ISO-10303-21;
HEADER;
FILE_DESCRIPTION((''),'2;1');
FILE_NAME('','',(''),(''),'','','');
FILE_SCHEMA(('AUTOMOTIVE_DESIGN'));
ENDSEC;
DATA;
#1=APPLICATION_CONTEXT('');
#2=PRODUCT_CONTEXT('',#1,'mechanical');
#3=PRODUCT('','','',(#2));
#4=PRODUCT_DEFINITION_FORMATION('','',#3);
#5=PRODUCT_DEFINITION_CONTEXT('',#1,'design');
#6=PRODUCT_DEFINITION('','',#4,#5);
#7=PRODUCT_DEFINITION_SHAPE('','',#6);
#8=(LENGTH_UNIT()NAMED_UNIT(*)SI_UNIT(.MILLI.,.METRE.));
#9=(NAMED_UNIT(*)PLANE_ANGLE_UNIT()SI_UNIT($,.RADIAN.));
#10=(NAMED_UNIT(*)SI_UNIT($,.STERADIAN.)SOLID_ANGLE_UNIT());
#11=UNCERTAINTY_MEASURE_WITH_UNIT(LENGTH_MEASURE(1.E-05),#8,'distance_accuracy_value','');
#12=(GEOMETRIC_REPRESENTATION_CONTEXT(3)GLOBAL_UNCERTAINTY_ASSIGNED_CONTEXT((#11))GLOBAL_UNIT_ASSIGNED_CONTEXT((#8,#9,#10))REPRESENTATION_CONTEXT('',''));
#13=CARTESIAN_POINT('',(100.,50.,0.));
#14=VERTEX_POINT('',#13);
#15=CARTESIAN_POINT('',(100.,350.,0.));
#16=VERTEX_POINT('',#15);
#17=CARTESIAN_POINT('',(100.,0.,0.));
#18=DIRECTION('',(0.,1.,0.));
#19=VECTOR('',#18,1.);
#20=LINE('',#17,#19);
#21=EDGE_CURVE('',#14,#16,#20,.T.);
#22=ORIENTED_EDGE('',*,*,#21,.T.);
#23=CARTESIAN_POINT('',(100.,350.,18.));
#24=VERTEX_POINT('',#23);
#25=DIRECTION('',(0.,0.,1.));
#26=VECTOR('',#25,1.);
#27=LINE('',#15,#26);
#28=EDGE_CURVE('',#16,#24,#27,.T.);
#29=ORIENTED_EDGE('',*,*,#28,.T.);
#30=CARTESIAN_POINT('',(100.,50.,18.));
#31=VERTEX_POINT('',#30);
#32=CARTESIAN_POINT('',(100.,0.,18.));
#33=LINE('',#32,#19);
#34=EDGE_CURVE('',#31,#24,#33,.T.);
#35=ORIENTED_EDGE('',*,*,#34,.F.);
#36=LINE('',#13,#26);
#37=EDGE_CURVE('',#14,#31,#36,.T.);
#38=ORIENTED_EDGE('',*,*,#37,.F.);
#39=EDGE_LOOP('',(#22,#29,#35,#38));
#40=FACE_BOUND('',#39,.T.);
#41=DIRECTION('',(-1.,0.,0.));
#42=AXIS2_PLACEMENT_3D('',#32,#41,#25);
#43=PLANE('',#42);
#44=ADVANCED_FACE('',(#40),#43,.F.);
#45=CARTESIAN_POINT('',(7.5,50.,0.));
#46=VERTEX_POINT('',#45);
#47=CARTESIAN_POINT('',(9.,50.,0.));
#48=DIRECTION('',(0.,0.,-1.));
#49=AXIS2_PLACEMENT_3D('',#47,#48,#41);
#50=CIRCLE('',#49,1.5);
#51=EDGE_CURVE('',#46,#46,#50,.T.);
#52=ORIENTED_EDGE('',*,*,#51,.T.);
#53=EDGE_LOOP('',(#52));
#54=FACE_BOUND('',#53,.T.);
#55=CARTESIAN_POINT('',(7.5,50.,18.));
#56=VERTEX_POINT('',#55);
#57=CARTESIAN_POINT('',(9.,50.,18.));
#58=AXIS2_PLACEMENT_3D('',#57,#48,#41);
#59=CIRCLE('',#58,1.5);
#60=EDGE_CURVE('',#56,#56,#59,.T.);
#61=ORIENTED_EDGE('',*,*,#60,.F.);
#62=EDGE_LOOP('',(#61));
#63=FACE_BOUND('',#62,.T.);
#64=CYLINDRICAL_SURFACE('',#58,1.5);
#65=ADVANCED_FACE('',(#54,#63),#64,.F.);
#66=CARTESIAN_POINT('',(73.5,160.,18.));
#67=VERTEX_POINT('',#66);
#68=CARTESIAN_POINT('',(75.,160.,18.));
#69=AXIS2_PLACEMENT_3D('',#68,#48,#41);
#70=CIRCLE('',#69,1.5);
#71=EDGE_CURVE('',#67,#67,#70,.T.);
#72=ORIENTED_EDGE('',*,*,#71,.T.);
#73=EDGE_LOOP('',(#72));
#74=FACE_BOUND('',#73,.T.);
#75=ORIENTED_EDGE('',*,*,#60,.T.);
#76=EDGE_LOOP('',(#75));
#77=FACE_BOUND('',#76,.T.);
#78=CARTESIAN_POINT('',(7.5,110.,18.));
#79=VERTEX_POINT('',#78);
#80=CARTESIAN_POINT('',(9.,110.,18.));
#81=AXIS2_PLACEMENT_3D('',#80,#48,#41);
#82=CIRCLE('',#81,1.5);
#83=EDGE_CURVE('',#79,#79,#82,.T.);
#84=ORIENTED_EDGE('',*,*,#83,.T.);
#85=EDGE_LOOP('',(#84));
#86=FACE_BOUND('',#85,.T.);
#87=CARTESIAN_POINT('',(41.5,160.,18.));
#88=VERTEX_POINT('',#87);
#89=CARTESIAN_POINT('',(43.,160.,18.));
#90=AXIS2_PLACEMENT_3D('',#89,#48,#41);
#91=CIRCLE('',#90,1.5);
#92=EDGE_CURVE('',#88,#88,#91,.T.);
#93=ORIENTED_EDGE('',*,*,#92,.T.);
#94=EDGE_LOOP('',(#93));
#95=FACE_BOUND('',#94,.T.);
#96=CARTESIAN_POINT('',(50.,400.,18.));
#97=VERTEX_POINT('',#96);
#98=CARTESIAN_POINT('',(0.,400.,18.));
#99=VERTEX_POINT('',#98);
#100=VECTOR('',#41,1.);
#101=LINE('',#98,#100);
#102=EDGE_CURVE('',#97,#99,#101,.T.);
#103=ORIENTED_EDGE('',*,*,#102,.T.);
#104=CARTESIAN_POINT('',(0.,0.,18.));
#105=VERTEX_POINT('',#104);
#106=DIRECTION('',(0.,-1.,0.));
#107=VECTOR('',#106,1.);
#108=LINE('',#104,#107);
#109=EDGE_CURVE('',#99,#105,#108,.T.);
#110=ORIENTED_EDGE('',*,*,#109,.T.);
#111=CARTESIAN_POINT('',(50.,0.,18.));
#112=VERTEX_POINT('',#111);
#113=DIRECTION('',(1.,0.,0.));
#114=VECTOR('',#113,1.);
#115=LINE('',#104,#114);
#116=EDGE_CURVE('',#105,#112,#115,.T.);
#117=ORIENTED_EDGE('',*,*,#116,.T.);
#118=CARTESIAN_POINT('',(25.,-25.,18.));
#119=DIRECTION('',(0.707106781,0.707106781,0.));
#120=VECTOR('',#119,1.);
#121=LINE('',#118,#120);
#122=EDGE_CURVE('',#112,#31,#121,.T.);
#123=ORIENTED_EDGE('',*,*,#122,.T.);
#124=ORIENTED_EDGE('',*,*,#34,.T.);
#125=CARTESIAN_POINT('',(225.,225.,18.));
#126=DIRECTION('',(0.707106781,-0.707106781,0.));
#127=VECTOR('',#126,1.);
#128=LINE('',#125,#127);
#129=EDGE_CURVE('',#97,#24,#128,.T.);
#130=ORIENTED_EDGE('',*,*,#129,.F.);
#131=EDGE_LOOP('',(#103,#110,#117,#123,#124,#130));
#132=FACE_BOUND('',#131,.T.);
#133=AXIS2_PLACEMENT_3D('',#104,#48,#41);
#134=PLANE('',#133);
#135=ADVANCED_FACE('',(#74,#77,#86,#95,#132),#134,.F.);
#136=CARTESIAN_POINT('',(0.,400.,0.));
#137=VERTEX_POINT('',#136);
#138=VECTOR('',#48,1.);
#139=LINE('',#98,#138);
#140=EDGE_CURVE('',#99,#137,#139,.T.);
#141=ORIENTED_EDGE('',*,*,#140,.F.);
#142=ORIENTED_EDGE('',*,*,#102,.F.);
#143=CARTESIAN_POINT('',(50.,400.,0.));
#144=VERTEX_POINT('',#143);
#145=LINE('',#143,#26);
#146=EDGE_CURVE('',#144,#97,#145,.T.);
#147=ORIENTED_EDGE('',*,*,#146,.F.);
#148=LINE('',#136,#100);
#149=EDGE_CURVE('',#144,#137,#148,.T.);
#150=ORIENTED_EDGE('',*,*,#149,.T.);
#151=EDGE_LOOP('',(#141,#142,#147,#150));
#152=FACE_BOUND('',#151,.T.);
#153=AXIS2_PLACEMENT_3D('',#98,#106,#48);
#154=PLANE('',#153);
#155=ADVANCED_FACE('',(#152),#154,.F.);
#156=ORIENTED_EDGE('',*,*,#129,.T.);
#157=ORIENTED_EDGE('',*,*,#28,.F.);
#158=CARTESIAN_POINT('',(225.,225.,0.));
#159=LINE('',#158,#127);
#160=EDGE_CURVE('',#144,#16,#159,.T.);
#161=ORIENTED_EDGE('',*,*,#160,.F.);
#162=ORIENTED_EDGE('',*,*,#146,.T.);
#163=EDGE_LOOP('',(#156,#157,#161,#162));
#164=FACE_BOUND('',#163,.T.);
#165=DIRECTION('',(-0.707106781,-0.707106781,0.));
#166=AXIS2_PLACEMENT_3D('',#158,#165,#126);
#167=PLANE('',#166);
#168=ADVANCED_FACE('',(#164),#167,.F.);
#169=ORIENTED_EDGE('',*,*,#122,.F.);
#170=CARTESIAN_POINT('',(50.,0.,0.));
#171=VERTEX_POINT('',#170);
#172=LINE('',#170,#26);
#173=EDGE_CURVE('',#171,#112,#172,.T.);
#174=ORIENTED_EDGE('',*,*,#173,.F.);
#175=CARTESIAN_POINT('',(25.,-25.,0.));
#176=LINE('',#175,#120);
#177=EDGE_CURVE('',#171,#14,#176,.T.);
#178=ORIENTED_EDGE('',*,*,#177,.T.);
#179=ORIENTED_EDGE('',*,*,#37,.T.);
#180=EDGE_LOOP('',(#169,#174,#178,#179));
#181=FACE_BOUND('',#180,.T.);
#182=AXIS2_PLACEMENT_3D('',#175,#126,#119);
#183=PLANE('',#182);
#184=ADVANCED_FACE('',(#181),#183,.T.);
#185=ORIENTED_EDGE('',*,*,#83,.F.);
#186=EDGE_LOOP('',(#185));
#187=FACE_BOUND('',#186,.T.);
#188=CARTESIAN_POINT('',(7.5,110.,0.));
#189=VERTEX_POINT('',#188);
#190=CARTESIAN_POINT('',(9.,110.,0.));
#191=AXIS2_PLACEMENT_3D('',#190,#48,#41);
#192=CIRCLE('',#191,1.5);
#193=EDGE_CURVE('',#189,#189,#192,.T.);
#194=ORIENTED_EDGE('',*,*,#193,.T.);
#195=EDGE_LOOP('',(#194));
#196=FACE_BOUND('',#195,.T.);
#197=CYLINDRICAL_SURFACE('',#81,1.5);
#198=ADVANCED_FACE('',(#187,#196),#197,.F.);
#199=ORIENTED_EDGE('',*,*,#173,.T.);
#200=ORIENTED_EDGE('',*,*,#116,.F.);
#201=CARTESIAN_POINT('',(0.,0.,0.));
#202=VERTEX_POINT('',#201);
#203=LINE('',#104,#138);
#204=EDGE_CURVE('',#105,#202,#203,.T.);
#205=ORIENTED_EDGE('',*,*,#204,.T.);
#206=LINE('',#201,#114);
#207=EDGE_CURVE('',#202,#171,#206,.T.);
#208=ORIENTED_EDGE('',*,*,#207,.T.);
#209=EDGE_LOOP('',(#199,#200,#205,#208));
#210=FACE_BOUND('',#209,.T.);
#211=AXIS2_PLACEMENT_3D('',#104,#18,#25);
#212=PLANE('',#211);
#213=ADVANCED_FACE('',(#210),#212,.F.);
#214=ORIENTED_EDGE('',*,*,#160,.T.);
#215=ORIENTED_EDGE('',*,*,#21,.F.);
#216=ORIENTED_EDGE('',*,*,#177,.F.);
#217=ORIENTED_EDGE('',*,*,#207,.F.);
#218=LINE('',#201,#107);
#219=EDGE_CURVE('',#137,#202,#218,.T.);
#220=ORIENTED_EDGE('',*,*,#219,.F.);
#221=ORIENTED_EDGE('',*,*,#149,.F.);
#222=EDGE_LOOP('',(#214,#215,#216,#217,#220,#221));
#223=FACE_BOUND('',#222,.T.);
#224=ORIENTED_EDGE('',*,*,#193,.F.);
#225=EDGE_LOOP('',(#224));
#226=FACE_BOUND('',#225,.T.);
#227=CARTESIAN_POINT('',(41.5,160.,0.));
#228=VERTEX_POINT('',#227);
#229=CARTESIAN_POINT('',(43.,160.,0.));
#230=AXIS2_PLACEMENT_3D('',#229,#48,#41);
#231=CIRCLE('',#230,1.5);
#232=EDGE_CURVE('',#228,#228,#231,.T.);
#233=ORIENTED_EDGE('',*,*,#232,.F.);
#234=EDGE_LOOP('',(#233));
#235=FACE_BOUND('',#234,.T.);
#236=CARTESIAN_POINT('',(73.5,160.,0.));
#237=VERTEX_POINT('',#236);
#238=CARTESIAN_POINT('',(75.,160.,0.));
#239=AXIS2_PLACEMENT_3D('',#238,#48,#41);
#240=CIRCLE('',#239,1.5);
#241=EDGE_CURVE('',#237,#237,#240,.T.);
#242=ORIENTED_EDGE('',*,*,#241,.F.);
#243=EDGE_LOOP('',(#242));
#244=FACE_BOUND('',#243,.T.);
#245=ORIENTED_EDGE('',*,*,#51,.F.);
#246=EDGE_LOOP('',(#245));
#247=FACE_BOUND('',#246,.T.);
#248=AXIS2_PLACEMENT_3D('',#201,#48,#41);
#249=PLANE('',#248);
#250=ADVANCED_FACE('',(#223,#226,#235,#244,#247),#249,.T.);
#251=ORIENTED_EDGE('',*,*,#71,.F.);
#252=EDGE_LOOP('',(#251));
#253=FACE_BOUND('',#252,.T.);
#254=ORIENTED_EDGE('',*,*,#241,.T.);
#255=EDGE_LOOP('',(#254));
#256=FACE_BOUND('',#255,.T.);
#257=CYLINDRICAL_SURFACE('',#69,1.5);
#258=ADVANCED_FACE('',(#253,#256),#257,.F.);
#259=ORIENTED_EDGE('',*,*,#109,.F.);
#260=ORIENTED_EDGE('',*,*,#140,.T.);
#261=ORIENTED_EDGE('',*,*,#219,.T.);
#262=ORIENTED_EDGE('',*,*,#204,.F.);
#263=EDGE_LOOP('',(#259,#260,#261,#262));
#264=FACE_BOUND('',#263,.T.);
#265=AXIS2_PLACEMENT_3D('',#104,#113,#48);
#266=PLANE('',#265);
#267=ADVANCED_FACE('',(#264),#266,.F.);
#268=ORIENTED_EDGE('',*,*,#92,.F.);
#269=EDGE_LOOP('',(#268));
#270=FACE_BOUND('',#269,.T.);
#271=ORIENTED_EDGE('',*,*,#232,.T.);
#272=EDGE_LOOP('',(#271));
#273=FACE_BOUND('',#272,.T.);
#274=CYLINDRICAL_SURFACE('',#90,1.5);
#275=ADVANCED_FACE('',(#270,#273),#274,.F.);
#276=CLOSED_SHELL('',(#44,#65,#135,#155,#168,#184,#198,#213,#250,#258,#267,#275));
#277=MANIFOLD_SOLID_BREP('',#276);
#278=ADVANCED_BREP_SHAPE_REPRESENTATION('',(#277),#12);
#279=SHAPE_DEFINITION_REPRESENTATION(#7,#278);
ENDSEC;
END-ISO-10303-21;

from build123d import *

# Parameters (mm, degrees)
ESBO_O6_W                = 100
ESBO_O6_H                = 400
RESSALTO_EXTRUS_O2_DEPTH = 18
CORTE_EXTRUS_O2_DEPTH    = 413.703283244
ESBO_O8_R                = 1.5
CORTE_EXTRUS_O3_DEPTH    = 413.703283244


with BuildPart() as part:
    # Esboço6 → Ressalto-extrusão2 (new body)
    with BuildSketch(Plane.XY):
        with Locations((50, 200)):
            Rectangle(ESBO_O6_W, ESBO_O6_H)
    extrude(amount=RESSALTO_EXTRUS_O2_DEPTH)

    # Esboço7 → Corte-extrusão2 (cut, through all)
    with BuildSketch(Plane.XY.offset(18)):
        Polygon((50, 400), (100, 350), (100, 400), align=None)
        Polygon((100, 50), (50, 0), (100, 0), align=None)
    extrude(amount=-CORTE_EXTRUS_O2_DEPTH, mode=Mode.SUBTRACT)

    # Esboço8 → Corte-extrusão3 (cut, through all)
    with BuildSketch(Plane(origin=(0, 0, 0), x_dir=(-1, 0, 0), z_dir=(0, 0, -1))):
        with Locations((-75, 160)):
            Circle(ESBO_O8_R)
        with Locations((-43, 160)):
            Circle(ESBO_O8_R)
        with Locations((-9, 50)):
            Circle(ESBO_O8_R)
        with Locations((-9, 110)):
            Circle(ESBO_O8_R)
    extrude(amount=-CORTE_EXTRUS_O3_DEPTH, mode=Mode.SUBTRACT)


solid = part.part
